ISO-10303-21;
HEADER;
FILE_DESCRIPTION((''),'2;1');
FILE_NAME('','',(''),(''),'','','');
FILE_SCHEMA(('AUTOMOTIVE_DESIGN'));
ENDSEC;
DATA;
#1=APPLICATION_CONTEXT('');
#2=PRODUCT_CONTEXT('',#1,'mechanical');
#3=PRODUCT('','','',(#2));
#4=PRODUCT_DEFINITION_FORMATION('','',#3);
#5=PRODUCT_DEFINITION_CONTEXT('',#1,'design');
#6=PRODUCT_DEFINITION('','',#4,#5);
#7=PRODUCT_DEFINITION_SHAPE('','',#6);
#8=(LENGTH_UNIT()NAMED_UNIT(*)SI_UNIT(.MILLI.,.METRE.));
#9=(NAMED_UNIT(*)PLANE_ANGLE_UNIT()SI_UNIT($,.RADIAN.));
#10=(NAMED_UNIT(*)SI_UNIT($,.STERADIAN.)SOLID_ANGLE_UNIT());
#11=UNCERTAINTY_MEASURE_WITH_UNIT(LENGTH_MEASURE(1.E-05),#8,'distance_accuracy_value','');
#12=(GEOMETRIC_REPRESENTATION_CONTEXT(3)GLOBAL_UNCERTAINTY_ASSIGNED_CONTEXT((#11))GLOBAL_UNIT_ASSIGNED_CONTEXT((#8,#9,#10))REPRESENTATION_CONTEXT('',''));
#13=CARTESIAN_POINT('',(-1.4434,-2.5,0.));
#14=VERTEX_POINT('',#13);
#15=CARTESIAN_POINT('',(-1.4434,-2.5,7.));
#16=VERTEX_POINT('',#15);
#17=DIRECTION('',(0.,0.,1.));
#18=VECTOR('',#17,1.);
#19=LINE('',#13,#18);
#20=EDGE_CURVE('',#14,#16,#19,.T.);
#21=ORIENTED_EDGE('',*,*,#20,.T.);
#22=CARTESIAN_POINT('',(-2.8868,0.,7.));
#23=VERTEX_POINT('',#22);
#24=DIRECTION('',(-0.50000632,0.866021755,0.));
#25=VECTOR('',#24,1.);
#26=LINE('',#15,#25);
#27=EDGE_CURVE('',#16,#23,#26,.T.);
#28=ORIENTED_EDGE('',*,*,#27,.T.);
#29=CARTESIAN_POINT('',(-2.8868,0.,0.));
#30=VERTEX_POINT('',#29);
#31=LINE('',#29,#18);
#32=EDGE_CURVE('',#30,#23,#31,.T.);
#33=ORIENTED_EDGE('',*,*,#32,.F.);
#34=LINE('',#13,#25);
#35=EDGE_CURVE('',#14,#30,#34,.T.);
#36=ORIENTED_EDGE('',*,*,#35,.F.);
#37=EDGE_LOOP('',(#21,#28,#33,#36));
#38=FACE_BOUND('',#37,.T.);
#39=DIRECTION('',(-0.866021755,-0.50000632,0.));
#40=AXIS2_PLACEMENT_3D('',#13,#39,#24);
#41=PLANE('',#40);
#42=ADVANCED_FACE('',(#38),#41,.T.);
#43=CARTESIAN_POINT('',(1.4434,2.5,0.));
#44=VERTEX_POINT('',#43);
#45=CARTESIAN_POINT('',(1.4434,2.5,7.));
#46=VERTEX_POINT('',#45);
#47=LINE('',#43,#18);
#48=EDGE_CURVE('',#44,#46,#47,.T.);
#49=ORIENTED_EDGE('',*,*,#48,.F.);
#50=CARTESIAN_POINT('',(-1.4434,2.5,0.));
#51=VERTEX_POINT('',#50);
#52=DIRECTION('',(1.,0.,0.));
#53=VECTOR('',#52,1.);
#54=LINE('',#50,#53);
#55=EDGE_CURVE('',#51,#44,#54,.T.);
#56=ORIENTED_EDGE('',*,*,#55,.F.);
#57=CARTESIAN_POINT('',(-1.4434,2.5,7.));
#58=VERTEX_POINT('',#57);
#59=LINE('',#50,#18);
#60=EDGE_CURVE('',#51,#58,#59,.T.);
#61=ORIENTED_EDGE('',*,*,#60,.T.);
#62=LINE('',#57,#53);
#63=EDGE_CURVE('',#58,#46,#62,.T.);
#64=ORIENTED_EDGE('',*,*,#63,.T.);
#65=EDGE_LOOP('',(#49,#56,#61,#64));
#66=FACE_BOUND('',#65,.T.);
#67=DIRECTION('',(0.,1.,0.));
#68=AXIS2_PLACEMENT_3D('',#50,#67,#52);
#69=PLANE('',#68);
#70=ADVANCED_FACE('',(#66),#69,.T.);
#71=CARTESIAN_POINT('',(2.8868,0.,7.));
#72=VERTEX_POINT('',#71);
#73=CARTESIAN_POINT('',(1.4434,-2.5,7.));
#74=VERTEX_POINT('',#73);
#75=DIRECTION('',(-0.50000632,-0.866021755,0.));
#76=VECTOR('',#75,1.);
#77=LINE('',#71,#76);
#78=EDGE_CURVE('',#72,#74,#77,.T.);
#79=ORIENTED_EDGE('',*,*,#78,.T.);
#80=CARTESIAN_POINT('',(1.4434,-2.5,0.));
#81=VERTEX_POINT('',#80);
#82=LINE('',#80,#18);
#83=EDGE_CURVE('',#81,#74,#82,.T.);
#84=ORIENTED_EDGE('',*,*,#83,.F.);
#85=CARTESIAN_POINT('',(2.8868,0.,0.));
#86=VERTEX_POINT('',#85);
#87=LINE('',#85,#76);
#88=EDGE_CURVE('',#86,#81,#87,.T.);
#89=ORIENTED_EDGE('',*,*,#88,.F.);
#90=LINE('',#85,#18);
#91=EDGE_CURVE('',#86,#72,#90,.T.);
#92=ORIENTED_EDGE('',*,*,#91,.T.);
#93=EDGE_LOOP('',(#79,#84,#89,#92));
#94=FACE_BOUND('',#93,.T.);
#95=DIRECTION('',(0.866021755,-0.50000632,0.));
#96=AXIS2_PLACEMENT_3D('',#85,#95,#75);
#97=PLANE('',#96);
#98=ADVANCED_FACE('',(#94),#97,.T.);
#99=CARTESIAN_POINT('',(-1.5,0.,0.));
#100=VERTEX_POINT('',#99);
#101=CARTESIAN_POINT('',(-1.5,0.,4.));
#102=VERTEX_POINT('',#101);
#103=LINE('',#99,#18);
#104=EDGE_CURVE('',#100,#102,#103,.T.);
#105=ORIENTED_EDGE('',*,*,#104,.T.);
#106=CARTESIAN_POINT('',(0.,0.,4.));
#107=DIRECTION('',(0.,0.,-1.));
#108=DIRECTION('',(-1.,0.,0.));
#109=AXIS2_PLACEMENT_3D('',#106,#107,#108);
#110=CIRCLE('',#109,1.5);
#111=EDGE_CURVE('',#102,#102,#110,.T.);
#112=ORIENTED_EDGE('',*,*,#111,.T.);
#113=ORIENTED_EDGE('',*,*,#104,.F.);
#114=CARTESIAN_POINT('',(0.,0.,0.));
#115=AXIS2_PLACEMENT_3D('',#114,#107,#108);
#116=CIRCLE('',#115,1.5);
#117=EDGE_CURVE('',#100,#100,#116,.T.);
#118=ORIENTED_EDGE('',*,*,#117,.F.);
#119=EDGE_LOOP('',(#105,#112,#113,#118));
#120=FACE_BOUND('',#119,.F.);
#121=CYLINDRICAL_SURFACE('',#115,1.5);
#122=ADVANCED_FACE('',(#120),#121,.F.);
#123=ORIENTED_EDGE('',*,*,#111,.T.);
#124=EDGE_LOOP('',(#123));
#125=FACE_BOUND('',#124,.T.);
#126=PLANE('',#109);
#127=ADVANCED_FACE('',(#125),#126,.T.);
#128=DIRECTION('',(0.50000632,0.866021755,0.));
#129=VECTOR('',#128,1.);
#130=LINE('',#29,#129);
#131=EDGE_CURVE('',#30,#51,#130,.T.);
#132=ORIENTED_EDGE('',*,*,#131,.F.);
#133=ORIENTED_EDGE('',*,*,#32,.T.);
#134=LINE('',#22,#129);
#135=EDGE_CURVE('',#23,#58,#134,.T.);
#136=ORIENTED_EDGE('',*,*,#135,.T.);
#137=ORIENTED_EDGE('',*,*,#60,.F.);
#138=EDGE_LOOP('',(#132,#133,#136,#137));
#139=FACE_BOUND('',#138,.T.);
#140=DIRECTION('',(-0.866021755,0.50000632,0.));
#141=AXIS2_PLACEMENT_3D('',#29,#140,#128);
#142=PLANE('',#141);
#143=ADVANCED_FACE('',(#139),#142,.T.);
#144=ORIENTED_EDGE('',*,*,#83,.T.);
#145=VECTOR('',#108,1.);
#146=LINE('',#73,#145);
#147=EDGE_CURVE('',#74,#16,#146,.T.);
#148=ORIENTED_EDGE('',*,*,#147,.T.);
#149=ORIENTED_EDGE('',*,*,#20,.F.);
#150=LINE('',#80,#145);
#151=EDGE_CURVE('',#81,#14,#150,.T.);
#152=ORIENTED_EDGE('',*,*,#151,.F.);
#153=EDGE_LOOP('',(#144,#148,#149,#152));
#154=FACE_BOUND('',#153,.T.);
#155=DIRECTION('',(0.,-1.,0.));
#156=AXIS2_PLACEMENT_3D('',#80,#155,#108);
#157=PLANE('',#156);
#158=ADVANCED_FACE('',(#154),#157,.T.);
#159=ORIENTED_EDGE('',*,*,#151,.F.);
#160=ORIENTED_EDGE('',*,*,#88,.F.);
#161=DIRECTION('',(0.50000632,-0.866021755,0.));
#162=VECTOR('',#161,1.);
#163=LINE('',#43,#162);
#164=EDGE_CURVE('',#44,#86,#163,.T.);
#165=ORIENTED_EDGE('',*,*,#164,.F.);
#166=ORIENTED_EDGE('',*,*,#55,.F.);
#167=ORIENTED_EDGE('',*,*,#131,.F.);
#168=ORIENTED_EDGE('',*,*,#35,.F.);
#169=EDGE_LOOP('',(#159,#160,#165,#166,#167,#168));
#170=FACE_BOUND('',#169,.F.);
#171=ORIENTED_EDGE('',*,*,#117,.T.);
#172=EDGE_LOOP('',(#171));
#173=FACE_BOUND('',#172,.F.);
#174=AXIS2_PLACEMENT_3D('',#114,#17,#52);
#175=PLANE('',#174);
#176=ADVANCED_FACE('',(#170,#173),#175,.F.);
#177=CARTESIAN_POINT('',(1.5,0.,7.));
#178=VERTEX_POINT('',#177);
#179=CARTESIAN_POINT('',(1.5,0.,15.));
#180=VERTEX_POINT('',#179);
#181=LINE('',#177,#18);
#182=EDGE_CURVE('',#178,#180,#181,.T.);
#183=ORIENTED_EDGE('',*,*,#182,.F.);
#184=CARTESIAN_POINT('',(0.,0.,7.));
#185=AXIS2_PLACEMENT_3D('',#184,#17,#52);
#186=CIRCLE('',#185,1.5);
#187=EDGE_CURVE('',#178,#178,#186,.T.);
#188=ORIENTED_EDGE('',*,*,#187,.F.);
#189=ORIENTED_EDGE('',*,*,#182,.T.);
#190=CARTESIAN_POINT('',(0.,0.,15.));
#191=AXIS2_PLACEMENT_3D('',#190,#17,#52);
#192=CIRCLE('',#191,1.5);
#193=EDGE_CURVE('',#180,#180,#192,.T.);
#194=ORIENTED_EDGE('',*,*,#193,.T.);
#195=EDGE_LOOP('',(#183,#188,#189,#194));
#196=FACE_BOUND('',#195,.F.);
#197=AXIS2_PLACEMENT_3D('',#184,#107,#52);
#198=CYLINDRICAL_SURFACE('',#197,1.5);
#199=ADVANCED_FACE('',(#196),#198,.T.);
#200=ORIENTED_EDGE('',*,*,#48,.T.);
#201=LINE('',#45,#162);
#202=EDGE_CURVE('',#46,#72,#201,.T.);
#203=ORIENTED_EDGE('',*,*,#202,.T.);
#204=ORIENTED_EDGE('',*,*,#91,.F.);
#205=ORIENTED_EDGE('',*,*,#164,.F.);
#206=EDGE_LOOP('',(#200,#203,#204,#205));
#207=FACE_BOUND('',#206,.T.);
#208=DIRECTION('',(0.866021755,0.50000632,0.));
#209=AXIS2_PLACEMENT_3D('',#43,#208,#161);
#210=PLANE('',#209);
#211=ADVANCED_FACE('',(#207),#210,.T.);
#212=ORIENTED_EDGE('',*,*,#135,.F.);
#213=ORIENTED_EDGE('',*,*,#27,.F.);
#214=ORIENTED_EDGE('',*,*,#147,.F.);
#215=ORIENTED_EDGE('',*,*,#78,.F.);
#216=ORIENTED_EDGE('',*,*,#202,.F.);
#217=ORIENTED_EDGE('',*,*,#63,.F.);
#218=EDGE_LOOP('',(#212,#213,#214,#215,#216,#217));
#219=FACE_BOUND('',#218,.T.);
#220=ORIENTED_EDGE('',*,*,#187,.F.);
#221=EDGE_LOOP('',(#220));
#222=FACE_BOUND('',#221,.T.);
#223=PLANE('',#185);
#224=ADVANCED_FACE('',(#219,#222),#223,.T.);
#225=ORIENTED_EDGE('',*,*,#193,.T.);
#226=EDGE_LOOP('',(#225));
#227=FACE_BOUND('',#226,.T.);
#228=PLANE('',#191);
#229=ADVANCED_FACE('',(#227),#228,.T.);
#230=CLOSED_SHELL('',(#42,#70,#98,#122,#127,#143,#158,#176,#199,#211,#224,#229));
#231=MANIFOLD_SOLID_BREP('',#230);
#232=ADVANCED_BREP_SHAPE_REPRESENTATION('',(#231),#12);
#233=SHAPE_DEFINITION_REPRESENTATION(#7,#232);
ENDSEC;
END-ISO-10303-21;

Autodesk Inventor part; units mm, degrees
ref_plane "YZ Plane" through (0, 0, 0) normal (1, 0, 0) x (0, 1, 0)
ref_plane "XZ Plane" through (0, 0, 0) normal (0, 1, 0) x (-1, 0, 0)
ref_plane "XY Plane" through (0, 0, 0) normal (0, 0, 1) x (1, 0, 0)
sketch "Sketch1" plane through (0, 0, 0) normal (0, 0, 1) x (1, 0, 0)
  line L0 (2.8868, 0) -> (1.4434, -2.5)
  line L1 (1.4434, -2.5) -> (-1.4434, -2.5)
  line L2 (-1.4434, -2.5) -> (-2.8868, 0)
  line L3 (-2.8868, 0) -> (-1.4434, 2.5)
  line L4 (-1.4434, 2.5) -> (1.4434, 2.5)
  line L5 (1.4434, 2.5) -> (2.8868, 0)
  point P0 (0, 0)
  point P1 (0, 0)
  dimension "d0" = 5
extrude "Extrusion1" add sketch "Sketch1" along normal blind 7
sketch "Sketch2" plane through (0, 0, 7) normal (0, 0, 1) x (1, 0, 0)
  circle A0 centre (0, 0) radius 1.5
  dimension "d3" = 3
extrude "Extrusion2" add sketch "Sketch2" along normal blind 8
sketch "Sketch3" plane through (0, 0, 0) normal (0, 0, -1) x (-1, 0, 0)
  circle A0 centre (0, 0) radius 1.5
  dimension "d6" = 3
extrude "Extrusion3" cut sketch "Sketch3" against normal blind 4
properties part number "Spacer7mm_m3"
